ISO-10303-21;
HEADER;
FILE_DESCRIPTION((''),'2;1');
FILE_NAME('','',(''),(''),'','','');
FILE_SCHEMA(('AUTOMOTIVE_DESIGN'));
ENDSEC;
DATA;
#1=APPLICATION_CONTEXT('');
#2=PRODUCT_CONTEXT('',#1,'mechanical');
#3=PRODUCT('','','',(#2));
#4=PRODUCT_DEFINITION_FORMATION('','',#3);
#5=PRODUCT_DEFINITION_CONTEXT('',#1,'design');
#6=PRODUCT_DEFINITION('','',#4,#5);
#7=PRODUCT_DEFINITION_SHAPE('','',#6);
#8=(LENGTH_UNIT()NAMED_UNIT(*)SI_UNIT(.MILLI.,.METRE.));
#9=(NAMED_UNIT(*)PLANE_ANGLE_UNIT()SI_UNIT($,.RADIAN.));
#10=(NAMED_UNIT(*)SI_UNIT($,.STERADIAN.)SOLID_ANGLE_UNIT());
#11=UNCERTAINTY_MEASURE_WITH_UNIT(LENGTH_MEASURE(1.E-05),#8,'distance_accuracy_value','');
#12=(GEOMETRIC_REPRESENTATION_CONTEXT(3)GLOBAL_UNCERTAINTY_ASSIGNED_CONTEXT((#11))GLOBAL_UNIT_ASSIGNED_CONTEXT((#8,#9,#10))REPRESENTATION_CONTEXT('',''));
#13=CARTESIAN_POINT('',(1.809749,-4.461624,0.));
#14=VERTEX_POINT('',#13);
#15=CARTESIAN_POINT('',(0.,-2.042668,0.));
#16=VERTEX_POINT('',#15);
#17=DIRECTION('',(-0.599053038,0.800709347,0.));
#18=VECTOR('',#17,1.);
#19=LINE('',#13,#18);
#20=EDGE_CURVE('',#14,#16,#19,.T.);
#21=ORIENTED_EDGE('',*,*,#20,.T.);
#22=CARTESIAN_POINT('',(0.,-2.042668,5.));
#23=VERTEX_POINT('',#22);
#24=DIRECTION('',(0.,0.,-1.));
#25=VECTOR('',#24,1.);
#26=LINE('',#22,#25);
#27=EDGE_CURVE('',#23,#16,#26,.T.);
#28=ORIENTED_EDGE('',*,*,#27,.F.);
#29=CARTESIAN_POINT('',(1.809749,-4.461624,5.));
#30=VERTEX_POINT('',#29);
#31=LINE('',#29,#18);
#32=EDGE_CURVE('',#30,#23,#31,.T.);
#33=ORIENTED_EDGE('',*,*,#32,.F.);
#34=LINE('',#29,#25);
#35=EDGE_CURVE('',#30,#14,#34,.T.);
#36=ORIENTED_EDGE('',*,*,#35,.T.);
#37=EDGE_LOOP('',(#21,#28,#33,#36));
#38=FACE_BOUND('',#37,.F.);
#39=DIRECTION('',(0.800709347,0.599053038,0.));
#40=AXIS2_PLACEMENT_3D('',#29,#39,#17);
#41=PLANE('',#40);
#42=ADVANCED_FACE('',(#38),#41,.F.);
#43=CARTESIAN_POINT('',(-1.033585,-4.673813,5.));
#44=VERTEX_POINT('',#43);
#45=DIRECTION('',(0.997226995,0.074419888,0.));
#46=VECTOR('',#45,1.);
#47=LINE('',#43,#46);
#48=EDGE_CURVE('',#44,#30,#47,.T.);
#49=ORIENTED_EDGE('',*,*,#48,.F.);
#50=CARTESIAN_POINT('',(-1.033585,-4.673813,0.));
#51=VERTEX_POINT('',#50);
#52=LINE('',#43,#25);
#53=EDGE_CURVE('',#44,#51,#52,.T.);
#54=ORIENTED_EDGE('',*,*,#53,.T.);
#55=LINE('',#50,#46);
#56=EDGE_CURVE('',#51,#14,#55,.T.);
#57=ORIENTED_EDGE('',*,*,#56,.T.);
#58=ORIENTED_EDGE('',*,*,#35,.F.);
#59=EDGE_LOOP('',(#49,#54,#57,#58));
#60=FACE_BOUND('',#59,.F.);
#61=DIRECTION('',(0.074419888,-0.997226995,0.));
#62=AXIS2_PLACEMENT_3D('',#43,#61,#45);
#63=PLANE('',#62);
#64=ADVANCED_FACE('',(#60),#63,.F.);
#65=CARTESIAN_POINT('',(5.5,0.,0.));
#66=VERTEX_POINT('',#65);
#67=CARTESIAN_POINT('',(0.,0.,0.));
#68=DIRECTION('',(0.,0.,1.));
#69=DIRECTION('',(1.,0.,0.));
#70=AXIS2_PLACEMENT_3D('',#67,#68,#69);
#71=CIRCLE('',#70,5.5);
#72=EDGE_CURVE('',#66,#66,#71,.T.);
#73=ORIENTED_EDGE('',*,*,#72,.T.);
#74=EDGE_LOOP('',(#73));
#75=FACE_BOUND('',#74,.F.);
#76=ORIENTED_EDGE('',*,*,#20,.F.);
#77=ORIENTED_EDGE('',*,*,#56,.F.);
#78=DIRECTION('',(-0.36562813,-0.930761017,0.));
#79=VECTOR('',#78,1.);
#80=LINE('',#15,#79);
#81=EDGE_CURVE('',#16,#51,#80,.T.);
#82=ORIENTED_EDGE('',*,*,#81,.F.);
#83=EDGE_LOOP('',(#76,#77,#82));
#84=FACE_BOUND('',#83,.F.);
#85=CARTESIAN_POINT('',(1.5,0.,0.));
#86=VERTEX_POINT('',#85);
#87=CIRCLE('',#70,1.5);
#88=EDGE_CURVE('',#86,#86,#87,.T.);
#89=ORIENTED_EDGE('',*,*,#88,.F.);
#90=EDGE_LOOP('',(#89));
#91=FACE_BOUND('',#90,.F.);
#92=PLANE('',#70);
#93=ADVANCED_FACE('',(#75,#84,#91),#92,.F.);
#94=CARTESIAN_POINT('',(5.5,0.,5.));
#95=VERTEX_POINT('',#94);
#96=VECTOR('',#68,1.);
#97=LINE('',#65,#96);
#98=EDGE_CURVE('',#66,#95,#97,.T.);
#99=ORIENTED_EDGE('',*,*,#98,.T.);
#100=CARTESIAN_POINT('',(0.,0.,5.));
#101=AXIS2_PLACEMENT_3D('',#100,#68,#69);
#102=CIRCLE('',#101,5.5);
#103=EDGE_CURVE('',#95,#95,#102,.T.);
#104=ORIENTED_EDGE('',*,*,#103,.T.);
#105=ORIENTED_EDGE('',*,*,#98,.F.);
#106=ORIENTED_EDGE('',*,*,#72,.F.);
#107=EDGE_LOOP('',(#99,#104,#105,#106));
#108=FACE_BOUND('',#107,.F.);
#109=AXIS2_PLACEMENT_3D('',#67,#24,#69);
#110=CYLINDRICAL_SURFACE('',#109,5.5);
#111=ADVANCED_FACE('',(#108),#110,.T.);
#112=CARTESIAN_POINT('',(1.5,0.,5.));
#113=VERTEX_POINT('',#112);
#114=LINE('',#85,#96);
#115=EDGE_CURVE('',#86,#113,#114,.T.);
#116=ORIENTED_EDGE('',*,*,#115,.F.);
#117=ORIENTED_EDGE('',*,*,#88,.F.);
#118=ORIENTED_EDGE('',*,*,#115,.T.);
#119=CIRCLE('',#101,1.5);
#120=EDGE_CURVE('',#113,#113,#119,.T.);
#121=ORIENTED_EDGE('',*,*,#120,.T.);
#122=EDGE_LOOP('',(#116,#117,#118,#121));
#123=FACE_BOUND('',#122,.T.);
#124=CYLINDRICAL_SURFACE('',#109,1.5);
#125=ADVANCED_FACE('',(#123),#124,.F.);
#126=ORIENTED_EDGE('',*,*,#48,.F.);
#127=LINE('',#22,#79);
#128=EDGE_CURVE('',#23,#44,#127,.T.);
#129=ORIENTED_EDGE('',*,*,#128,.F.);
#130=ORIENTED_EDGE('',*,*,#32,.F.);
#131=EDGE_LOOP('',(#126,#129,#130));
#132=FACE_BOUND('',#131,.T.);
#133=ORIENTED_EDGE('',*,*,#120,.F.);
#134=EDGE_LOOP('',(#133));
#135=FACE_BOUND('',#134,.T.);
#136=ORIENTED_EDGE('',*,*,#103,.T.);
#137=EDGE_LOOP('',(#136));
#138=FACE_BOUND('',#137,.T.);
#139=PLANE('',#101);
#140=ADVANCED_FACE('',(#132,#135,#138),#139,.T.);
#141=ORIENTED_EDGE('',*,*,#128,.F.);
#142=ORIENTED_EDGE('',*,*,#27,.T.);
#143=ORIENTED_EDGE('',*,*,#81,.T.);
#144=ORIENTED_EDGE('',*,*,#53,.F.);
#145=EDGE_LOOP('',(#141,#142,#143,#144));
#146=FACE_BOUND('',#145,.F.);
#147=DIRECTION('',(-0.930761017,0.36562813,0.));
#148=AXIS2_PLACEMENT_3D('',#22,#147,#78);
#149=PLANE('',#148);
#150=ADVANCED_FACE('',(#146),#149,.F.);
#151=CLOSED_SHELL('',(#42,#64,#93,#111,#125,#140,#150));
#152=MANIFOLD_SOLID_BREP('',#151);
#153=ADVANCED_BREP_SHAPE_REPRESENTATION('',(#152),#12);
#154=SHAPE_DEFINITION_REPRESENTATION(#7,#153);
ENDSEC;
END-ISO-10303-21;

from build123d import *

# Parameters (mm, degrees)
F0_R     = 5.5
F0_R_2   = 1.5
F1_DEPTH = 5
F3_DEPTH = 5


with BuildPart() as f1:
    # F0 (on Top) → F1 (new body)
    with BuildSketch(Plane.XY):
        Circle(F0_R)
        Circle(F0_R_2, mode=Mode.SUBTRACT)
    extrude(amount=F1_DEPTH)

    # F2 (on face) → F3 (cut)
    with BuildSketch(Plane.XY.offset(5)):
        Polygon((1.809749, -4.461624), (0, -2.042668), (-1.033585, -4.673813), align=None)
    extrude(amount=-F3_DEPTH, mode=Mode.SUBTRACT)


solid = f1.part
